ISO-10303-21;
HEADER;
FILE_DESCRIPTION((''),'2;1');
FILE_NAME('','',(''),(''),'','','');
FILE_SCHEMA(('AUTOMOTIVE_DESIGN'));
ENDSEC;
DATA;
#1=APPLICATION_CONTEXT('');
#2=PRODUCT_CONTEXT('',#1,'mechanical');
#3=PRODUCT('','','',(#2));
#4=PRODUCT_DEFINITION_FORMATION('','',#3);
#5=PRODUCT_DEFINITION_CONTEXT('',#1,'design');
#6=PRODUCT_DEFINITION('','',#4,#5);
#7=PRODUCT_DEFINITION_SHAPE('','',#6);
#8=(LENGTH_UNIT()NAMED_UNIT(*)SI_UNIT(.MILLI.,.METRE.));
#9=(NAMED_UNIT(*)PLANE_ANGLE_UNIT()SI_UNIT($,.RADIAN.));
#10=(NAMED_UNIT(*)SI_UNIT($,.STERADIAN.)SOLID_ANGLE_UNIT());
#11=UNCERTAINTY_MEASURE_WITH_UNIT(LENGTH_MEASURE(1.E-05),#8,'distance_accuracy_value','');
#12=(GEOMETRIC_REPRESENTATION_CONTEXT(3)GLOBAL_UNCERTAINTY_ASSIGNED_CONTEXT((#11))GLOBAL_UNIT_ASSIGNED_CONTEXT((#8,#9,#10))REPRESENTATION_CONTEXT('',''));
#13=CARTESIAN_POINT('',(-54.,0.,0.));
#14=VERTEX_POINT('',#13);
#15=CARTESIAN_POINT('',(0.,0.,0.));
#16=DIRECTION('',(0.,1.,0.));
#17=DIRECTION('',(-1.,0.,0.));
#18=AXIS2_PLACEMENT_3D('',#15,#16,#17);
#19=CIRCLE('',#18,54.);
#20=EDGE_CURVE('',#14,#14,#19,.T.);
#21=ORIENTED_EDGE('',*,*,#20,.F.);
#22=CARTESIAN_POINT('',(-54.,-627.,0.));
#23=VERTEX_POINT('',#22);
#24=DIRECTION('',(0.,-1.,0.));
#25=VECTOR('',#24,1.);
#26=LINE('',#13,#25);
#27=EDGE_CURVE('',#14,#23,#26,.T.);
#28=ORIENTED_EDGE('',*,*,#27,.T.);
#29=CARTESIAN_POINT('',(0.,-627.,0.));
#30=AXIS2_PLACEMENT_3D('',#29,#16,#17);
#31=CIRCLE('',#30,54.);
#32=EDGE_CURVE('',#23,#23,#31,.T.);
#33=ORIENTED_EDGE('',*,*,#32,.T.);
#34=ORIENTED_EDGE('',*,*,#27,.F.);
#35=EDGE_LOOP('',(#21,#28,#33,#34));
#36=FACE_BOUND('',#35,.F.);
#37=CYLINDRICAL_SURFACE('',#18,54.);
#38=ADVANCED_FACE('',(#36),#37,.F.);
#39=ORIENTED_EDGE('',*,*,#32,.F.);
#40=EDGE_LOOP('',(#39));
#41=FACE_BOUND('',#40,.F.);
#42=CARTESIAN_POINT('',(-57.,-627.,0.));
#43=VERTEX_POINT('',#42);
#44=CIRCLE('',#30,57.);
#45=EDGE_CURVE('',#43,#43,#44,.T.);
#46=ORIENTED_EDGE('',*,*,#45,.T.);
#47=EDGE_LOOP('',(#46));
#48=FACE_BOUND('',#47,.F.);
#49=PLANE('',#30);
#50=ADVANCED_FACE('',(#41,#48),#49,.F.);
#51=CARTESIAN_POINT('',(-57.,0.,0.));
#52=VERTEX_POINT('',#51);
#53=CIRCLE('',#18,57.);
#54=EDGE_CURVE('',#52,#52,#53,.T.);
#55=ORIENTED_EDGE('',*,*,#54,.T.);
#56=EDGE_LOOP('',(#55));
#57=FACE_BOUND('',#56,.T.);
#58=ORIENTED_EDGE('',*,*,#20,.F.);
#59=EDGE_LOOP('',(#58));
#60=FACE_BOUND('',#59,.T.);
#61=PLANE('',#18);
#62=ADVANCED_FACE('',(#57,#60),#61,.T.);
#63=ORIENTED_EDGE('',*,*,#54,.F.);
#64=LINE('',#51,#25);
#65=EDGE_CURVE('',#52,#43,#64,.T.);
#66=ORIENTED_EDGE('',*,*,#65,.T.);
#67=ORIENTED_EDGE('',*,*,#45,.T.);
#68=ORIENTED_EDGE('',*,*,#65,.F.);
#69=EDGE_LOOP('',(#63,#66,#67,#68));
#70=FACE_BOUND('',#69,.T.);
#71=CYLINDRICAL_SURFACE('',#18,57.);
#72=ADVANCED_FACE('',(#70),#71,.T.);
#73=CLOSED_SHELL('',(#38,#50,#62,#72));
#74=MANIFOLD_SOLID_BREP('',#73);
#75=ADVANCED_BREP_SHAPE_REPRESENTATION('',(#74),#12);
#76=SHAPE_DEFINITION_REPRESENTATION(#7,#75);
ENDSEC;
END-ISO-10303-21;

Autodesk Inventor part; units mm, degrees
ref_plane "YZ Plane" through (0, 0, 0) normal (1, 0, 0) x (0, 1, 0)
ref_plane "XZ Plane" through (0, 0, 0) normal (0, 1, 0) x (-1, 0, 0)
ref_plane "XY Plane" through (0, 0, 0) normal (0, 0, 1) x (1, 0, 0)
sketch "Sketch1" plane through (0, 0, 0) normal (0, 1, 0) x (-1, 0, 0)
  circle A0 centre (0, 0) radius 57
  circle A1 centre (0, 0) radius 54
  dimension "d0" = 114
  dimension "d1" = 3
extrude "Extrusion1" add sketch "Sketch1" against normal blind 627
properties part number "TZS 1233 FDS tube 3" material "Steel"
